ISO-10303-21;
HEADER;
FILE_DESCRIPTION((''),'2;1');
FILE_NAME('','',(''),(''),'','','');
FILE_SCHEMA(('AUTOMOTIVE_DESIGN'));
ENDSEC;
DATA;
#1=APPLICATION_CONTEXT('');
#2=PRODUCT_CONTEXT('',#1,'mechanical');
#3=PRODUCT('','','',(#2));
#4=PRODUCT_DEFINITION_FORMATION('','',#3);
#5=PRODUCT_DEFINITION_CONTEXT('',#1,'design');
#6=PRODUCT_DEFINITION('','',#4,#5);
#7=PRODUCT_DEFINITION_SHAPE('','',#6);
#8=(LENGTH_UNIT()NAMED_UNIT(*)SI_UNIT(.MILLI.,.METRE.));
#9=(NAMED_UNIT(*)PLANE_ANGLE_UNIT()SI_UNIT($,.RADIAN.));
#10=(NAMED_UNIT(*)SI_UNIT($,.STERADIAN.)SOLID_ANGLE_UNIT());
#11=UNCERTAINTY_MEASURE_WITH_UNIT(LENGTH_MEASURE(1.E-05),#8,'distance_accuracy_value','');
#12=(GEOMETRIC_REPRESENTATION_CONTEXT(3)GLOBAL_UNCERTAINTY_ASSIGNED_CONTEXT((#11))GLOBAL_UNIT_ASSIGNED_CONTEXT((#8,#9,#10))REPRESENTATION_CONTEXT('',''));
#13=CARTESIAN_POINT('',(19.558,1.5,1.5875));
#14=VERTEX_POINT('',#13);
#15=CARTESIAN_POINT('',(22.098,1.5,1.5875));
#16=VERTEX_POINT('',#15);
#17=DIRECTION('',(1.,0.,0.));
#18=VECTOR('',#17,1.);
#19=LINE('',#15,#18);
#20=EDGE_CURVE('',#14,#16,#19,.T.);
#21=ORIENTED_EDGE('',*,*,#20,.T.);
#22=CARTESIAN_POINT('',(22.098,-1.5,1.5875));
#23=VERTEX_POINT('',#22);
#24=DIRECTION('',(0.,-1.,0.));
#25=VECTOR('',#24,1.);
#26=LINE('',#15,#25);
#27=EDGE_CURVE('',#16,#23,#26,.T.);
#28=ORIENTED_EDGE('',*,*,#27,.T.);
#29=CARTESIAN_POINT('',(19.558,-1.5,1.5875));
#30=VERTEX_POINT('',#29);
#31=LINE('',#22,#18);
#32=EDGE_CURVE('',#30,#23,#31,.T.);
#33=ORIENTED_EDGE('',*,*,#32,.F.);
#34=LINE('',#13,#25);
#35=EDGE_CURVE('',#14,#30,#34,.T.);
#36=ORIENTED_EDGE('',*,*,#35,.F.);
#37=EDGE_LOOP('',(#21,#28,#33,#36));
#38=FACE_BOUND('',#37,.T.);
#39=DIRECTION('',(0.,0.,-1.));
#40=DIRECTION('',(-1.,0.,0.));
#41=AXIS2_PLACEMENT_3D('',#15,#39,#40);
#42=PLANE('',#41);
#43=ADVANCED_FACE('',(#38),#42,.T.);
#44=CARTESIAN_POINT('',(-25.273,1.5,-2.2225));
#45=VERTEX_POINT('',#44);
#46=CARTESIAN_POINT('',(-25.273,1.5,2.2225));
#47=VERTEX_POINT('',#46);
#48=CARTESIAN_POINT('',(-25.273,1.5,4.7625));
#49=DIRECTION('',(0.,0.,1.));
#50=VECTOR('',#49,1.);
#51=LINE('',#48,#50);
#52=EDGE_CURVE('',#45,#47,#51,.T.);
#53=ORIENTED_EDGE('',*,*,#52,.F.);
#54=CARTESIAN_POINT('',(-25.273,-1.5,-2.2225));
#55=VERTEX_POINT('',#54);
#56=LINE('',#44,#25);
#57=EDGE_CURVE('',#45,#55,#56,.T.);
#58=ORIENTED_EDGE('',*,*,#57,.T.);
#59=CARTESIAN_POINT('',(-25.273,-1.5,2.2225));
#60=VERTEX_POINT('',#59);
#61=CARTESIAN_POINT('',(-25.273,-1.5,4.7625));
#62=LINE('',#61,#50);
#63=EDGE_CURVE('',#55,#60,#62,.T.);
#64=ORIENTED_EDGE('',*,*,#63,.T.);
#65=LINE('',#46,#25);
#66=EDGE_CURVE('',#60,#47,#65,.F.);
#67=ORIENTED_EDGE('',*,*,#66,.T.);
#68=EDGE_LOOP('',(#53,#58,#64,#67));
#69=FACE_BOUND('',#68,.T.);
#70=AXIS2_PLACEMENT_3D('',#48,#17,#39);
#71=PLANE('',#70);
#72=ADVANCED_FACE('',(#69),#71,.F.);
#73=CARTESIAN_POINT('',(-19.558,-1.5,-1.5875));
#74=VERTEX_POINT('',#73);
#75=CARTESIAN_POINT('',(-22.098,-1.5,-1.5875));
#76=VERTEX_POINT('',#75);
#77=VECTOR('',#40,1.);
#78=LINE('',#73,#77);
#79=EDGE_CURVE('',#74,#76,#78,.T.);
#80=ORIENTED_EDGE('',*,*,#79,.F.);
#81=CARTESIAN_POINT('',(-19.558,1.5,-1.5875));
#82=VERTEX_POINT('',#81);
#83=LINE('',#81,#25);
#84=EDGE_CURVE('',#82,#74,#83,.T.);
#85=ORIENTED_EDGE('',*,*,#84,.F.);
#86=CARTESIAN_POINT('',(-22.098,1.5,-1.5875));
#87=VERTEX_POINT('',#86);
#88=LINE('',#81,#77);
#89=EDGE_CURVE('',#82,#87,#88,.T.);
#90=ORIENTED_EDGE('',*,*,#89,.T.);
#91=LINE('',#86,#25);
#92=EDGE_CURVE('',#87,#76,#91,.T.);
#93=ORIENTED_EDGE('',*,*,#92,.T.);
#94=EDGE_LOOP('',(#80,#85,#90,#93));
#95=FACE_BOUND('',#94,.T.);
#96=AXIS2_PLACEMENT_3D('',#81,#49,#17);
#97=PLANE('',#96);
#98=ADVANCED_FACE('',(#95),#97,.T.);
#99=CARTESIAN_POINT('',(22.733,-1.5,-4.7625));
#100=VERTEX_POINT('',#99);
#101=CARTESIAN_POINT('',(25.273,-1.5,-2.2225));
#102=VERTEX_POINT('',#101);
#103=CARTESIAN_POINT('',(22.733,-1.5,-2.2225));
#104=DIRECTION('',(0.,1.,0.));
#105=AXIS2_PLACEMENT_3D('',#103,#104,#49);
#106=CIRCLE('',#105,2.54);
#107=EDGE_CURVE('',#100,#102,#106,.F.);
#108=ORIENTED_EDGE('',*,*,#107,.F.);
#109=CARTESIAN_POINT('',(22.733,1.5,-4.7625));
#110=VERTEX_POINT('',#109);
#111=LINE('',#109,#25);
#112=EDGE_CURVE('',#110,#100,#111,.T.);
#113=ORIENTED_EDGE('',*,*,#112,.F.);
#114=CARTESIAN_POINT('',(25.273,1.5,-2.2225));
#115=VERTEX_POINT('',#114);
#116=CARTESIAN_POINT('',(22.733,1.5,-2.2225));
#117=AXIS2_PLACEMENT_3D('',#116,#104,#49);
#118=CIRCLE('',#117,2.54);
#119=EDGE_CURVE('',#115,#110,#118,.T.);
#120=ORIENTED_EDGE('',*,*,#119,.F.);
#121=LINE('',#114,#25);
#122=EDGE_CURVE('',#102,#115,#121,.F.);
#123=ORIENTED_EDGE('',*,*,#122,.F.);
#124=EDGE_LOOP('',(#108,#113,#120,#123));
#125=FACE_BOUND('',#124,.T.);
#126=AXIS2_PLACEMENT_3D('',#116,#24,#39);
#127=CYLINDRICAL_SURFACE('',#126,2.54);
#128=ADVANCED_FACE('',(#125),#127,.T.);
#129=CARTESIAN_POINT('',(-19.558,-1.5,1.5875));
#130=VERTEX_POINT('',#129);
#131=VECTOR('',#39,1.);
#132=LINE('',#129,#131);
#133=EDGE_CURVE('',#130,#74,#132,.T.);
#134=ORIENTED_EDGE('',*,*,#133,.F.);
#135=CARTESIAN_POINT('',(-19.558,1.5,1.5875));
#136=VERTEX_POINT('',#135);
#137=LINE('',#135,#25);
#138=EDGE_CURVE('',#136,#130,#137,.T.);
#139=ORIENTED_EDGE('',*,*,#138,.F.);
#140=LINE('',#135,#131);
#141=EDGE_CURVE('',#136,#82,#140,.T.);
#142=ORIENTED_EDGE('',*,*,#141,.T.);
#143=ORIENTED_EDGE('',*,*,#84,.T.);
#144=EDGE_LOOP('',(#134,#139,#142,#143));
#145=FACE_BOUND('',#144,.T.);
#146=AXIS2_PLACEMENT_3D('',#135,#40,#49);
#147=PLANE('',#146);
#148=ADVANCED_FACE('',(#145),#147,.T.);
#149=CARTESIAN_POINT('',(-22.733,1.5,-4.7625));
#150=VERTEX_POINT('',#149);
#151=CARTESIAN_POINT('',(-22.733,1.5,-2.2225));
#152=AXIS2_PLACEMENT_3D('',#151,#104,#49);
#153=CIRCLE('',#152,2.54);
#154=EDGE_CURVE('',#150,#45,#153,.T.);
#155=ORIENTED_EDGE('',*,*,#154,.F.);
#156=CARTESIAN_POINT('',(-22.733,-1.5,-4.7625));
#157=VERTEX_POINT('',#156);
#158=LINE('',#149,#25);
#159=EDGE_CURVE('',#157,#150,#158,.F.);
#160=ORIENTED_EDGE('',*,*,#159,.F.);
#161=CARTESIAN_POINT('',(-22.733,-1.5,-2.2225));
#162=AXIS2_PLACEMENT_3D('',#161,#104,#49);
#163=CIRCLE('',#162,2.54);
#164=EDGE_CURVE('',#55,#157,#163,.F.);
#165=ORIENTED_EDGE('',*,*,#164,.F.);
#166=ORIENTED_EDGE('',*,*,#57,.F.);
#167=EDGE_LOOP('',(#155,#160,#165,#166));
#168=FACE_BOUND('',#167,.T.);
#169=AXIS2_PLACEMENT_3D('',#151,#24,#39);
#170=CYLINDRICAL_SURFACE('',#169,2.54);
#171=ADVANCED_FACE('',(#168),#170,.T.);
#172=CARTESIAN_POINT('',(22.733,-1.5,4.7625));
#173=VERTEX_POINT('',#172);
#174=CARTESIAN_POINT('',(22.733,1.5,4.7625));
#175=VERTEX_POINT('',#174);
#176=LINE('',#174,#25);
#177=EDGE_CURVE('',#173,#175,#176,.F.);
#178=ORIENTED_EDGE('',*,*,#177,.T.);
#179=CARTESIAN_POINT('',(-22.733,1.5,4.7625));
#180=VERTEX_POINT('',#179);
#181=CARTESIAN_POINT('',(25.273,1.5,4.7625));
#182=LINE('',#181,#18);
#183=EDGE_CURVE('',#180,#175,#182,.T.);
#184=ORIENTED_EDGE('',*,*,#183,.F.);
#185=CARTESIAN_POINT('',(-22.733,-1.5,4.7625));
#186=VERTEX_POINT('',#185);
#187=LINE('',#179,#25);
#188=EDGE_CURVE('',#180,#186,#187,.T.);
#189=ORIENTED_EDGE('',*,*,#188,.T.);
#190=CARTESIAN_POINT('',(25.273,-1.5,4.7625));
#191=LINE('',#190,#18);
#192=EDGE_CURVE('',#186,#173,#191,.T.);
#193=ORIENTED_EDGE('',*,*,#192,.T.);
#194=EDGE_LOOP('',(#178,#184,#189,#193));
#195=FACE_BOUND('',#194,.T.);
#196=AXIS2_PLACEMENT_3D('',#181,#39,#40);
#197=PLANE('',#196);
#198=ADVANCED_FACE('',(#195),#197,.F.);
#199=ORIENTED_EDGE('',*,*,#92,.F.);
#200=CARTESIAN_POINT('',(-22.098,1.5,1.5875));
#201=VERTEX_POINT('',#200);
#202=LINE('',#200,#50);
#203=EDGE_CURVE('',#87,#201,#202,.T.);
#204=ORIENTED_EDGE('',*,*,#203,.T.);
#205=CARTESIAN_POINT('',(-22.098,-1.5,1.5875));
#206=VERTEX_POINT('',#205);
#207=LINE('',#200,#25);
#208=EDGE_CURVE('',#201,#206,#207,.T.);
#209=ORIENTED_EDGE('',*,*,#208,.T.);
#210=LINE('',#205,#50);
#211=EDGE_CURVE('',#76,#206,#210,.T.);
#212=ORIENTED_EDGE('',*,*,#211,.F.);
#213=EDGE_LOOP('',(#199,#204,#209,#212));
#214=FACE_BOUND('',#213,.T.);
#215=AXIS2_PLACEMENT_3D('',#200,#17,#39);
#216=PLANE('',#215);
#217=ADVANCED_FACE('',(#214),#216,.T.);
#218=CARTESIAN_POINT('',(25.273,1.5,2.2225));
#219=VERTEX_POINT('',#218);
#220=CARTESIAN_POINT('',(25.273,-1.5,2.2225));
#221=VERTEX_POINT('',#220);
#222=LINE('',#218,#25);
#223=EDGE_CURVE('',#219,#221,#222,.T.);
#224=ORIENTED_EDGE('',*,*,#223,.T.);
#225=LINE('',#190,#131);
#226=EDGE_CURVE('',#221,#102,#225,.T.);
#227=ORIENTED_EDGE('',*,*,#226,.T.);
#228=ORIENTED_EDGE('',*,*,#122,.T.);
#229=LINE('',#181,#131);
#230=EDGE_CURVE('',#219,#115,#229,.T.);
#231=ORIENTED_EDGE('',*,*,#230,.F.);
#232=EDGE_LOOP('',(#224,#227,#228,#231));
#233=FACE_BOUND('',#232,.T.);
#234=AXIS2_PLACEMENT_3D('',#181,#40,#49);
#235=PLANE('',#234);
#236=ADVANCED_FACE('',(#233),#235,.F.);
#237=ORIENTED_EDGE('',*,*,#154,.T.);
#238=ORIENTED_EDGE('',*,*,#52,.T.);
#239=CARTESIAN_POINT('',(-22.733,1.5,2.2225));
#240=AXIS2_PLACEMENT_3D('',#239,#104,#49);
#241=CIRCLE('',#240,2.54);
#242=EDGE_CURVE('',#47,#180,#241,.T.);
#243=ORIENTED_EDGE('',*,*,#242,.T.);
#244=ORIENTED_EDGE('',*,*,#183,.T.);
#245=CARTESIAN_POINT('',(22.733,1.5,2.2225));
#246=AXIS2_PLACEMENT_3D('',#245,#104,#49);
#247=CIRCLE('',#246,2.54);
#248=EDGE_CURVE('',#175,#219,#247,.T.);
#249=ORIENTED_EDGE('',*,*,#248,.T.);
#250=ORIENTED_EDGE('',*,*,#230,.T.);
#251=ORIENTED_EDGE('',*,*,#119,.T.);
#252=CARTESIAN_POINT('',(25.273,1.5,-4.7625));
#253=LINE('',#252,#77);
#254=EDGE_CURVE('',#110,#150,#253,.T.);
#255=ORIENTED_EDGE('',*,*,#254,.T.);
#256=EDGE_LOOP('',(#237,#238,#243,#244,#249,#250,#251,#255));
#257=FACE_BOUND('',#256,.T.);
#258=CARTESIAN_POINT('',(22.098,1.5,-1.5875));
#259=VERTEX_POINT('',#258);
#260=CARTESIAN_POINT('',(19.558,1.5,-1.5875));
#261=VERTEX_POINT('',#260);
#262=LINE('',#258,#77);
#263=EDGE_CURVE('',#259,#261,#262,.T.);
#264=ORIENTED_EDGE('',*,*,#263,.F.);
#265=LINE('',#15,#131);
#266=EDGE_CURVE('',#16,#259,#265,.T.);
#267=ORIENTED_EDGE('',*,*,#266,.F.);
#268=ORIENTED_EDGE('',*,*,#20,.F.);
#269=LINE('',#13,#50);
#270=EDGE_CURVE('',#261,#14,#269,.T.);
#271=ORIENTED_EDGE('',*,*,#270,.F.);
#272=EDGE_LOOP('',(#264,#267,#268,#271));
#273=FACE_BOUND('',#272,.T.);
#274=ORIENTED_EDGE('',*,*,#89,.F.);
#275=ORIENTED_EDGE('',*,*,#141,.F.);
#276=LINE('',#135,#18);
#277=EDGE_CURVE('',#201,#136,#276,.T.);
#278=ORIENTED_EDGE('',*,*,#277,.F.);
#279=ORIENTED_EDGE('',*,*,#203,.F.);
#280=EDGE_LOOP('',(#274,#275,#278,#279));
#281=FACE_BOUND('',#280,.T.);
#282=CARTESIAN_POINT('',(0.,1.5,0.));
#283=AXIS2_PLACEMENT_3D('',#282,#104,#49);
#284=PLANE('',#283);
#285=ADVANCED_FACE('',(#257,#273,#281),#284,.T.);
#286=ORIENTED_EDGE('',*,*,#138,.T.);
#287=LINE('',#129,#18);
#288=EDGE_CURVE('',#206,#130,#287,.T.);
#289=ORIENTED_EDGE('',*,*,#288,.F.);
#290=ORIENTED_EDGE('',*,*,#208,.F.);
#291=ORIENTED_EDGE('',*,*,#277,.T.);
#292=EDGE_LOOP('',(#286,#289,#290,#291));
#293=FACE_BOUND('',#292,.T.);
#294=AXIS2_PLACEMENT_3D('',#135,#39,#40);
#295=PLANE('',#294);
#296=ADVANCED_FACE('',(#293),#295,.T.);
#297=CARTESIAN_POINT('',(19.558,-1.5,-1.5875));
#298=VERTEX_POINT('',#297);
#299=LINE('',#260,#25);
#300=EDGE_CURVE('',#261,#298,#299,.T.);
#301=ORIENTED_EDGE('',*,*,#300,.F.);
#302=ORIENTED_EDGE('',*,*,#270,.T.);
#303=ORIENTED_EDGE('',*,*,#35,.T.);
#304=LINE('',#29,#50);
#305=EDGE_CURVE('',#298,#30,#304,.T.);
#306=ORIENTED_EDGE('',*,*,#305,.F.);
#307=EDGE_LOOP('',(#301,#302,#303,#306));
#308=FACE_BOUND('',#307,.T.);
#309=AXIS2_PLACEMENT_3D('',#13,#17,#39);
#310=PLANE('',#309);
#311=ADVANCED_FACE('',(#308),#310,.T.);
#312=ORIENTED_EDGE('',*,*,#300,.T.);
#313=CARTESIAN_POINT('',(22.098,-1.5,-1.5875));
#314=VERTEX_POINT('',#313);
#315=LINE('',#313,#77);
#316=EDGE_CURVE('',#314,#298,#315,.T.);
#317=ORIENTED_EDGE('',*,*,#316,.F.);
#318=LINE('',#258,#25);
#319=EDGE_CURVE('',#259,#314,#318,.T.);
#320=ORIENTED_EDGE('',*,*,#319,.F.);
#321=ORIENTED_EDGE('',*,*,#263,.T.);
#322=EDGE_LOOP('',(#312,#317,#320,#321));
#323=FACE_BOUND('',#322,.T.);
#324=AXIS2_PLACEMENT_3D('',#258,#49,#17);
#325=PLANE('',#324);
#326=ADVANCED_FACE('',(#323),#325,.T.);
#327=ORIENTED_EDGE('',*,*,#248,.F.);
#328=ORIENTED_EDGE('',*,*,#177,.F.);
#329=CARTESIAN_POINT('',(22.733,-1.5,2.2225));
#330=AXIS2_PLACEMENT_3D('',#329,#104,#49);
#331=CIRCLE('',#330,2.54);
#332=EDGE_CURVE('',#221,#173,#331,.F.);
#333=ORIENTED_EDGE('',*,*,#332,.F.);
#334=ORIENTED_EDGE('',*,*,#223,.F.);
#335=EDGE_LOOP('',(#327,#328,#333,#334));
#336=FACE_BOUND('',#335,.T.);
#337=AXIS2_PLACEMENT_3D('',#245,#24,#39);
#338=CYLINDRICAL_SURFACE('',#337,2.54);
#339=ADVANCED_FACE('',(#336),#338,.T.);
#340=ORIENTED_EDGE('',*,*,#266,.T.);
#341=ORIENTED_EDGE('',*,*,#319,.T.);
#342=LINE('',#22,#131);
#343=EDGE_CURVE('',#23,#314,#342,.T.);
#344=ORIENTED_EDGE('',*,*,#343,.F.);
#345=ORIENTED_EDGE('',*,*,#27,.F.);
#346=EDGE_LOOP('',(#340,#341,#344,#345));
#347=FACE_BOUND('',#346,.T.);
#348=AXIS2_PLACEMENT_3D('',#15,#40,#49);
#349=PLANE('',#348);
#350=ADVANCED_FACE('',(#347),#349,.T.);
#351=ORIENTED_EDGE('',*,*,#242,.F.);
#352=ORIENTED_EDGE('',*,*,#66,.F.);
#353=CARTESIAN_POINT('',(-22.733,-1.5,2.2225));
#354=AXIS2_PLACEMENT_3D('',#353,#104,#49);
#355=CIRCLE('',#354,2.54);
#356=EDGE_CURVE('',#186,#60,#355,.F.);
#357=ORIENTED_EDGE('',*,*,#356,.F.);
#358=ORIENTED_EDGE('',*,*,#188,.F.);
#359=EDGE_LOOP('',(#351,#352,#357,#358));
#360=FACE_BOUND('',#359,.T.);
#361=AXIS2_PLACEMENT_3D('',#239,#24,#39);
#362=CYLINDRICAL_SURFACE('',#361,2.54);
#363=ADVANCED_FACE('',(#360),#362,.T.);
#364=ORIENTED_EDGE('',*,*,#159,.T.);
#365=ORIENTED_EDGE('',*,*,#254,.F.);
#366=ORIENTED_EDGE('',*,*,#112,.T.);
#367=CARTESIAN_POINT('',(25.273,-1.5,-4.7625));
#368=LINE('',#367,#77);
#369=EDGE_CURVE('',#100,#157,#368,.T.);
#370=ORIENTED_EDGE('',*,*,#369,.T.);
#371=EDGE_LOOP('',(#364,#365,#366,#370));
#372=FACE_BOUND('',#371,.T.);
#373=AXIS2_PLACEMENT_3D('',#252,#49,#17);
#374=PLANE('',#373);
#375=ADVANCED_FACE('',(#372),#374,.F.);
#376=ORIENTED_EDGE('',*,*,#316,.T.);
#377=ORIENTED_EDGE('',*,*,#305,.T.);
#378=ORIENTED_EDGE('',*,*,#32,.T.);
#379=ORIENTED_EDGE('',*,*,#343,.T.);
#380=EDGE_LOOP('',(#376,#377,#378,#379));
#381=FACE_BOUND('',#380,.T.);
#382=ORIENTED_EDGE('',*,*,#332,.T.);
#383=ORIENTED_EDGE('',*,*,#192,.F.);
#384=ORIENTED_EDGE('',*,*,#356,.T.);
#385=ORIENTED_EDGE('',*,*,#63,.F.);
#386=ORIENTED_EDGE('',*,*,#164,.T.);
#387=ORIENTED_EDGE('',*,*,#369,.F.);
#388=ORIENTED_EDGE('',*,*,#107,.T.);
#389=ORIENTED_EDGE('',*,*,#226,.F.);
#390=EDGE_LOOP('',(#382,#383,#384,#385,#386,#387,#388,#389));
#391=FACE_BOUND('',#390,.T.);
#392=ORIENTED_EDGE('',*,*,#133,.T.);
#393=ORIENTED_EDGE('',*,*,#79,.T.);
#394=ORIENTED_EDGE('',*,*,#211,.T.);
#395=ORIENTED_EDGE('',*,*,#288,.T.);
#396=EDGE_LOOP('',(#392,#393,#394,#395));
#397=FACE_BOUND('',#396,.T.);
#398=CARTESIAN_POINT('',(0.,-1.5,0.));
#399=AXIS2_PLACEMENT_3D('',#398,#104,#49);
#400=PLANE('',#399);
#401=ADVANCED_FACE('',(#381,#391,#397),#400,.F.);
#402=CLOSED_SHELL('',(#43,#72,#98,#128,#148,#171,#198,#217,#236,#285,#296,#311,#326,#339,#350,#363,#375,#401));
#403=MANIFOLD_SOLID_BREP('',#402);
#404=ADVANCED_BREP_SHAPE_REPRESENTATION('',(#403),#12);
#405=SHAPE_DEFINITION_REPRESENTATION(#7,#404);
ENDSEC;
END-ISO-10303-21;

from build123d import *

# Parameters (mm, degrees)
SKETCH1_W           = 50.546
SKETCH1_H           = 9.525
SKETCH1_W_2         = 2.54
SKETCH1_H_2         = 3.175
BOSS_EXTRUDE1_DEPTH = 1.5
FILLET1_R           = 2.54


with BuildPart() as part:
    # Sketch1 → Boss-Extrude1 (new, symmetric)
    with BuildSketch(Plane(origin=(0, 0, 0), x_dir=(1, 0, 0), z_dir=(0, 1, 0))):
        Rectangle(SKETCH1_W, SKETCH1_H)
        with Locations((-20.828, 0)):
            Rectangle(SKETCH1_W_2, SKETCH1_H_2, mode=Mode.SUBTRACT)
        with Locations((20.828, 0)):
            Rectangle(SKETCH1_W_2, SKETCH1_H_2, mode=Mode.SUBTRACT)
    extrude(amount=BOSS_EXTRUDE1_DEPTH, both=True)

    # Fillet1
    fillet1_edges = [part.edges().sort_by_distance(p)[0] for p in [
        (-25.273, 0, -4.7625),
        (25.273, 0, -4.7625),
        (25.273, 0, 4.7625),
        (-25.273, 0, 4.7625),
    ]]
    fillet(fillet1_edges, radius=FILLET1_R)


solid = part.part
